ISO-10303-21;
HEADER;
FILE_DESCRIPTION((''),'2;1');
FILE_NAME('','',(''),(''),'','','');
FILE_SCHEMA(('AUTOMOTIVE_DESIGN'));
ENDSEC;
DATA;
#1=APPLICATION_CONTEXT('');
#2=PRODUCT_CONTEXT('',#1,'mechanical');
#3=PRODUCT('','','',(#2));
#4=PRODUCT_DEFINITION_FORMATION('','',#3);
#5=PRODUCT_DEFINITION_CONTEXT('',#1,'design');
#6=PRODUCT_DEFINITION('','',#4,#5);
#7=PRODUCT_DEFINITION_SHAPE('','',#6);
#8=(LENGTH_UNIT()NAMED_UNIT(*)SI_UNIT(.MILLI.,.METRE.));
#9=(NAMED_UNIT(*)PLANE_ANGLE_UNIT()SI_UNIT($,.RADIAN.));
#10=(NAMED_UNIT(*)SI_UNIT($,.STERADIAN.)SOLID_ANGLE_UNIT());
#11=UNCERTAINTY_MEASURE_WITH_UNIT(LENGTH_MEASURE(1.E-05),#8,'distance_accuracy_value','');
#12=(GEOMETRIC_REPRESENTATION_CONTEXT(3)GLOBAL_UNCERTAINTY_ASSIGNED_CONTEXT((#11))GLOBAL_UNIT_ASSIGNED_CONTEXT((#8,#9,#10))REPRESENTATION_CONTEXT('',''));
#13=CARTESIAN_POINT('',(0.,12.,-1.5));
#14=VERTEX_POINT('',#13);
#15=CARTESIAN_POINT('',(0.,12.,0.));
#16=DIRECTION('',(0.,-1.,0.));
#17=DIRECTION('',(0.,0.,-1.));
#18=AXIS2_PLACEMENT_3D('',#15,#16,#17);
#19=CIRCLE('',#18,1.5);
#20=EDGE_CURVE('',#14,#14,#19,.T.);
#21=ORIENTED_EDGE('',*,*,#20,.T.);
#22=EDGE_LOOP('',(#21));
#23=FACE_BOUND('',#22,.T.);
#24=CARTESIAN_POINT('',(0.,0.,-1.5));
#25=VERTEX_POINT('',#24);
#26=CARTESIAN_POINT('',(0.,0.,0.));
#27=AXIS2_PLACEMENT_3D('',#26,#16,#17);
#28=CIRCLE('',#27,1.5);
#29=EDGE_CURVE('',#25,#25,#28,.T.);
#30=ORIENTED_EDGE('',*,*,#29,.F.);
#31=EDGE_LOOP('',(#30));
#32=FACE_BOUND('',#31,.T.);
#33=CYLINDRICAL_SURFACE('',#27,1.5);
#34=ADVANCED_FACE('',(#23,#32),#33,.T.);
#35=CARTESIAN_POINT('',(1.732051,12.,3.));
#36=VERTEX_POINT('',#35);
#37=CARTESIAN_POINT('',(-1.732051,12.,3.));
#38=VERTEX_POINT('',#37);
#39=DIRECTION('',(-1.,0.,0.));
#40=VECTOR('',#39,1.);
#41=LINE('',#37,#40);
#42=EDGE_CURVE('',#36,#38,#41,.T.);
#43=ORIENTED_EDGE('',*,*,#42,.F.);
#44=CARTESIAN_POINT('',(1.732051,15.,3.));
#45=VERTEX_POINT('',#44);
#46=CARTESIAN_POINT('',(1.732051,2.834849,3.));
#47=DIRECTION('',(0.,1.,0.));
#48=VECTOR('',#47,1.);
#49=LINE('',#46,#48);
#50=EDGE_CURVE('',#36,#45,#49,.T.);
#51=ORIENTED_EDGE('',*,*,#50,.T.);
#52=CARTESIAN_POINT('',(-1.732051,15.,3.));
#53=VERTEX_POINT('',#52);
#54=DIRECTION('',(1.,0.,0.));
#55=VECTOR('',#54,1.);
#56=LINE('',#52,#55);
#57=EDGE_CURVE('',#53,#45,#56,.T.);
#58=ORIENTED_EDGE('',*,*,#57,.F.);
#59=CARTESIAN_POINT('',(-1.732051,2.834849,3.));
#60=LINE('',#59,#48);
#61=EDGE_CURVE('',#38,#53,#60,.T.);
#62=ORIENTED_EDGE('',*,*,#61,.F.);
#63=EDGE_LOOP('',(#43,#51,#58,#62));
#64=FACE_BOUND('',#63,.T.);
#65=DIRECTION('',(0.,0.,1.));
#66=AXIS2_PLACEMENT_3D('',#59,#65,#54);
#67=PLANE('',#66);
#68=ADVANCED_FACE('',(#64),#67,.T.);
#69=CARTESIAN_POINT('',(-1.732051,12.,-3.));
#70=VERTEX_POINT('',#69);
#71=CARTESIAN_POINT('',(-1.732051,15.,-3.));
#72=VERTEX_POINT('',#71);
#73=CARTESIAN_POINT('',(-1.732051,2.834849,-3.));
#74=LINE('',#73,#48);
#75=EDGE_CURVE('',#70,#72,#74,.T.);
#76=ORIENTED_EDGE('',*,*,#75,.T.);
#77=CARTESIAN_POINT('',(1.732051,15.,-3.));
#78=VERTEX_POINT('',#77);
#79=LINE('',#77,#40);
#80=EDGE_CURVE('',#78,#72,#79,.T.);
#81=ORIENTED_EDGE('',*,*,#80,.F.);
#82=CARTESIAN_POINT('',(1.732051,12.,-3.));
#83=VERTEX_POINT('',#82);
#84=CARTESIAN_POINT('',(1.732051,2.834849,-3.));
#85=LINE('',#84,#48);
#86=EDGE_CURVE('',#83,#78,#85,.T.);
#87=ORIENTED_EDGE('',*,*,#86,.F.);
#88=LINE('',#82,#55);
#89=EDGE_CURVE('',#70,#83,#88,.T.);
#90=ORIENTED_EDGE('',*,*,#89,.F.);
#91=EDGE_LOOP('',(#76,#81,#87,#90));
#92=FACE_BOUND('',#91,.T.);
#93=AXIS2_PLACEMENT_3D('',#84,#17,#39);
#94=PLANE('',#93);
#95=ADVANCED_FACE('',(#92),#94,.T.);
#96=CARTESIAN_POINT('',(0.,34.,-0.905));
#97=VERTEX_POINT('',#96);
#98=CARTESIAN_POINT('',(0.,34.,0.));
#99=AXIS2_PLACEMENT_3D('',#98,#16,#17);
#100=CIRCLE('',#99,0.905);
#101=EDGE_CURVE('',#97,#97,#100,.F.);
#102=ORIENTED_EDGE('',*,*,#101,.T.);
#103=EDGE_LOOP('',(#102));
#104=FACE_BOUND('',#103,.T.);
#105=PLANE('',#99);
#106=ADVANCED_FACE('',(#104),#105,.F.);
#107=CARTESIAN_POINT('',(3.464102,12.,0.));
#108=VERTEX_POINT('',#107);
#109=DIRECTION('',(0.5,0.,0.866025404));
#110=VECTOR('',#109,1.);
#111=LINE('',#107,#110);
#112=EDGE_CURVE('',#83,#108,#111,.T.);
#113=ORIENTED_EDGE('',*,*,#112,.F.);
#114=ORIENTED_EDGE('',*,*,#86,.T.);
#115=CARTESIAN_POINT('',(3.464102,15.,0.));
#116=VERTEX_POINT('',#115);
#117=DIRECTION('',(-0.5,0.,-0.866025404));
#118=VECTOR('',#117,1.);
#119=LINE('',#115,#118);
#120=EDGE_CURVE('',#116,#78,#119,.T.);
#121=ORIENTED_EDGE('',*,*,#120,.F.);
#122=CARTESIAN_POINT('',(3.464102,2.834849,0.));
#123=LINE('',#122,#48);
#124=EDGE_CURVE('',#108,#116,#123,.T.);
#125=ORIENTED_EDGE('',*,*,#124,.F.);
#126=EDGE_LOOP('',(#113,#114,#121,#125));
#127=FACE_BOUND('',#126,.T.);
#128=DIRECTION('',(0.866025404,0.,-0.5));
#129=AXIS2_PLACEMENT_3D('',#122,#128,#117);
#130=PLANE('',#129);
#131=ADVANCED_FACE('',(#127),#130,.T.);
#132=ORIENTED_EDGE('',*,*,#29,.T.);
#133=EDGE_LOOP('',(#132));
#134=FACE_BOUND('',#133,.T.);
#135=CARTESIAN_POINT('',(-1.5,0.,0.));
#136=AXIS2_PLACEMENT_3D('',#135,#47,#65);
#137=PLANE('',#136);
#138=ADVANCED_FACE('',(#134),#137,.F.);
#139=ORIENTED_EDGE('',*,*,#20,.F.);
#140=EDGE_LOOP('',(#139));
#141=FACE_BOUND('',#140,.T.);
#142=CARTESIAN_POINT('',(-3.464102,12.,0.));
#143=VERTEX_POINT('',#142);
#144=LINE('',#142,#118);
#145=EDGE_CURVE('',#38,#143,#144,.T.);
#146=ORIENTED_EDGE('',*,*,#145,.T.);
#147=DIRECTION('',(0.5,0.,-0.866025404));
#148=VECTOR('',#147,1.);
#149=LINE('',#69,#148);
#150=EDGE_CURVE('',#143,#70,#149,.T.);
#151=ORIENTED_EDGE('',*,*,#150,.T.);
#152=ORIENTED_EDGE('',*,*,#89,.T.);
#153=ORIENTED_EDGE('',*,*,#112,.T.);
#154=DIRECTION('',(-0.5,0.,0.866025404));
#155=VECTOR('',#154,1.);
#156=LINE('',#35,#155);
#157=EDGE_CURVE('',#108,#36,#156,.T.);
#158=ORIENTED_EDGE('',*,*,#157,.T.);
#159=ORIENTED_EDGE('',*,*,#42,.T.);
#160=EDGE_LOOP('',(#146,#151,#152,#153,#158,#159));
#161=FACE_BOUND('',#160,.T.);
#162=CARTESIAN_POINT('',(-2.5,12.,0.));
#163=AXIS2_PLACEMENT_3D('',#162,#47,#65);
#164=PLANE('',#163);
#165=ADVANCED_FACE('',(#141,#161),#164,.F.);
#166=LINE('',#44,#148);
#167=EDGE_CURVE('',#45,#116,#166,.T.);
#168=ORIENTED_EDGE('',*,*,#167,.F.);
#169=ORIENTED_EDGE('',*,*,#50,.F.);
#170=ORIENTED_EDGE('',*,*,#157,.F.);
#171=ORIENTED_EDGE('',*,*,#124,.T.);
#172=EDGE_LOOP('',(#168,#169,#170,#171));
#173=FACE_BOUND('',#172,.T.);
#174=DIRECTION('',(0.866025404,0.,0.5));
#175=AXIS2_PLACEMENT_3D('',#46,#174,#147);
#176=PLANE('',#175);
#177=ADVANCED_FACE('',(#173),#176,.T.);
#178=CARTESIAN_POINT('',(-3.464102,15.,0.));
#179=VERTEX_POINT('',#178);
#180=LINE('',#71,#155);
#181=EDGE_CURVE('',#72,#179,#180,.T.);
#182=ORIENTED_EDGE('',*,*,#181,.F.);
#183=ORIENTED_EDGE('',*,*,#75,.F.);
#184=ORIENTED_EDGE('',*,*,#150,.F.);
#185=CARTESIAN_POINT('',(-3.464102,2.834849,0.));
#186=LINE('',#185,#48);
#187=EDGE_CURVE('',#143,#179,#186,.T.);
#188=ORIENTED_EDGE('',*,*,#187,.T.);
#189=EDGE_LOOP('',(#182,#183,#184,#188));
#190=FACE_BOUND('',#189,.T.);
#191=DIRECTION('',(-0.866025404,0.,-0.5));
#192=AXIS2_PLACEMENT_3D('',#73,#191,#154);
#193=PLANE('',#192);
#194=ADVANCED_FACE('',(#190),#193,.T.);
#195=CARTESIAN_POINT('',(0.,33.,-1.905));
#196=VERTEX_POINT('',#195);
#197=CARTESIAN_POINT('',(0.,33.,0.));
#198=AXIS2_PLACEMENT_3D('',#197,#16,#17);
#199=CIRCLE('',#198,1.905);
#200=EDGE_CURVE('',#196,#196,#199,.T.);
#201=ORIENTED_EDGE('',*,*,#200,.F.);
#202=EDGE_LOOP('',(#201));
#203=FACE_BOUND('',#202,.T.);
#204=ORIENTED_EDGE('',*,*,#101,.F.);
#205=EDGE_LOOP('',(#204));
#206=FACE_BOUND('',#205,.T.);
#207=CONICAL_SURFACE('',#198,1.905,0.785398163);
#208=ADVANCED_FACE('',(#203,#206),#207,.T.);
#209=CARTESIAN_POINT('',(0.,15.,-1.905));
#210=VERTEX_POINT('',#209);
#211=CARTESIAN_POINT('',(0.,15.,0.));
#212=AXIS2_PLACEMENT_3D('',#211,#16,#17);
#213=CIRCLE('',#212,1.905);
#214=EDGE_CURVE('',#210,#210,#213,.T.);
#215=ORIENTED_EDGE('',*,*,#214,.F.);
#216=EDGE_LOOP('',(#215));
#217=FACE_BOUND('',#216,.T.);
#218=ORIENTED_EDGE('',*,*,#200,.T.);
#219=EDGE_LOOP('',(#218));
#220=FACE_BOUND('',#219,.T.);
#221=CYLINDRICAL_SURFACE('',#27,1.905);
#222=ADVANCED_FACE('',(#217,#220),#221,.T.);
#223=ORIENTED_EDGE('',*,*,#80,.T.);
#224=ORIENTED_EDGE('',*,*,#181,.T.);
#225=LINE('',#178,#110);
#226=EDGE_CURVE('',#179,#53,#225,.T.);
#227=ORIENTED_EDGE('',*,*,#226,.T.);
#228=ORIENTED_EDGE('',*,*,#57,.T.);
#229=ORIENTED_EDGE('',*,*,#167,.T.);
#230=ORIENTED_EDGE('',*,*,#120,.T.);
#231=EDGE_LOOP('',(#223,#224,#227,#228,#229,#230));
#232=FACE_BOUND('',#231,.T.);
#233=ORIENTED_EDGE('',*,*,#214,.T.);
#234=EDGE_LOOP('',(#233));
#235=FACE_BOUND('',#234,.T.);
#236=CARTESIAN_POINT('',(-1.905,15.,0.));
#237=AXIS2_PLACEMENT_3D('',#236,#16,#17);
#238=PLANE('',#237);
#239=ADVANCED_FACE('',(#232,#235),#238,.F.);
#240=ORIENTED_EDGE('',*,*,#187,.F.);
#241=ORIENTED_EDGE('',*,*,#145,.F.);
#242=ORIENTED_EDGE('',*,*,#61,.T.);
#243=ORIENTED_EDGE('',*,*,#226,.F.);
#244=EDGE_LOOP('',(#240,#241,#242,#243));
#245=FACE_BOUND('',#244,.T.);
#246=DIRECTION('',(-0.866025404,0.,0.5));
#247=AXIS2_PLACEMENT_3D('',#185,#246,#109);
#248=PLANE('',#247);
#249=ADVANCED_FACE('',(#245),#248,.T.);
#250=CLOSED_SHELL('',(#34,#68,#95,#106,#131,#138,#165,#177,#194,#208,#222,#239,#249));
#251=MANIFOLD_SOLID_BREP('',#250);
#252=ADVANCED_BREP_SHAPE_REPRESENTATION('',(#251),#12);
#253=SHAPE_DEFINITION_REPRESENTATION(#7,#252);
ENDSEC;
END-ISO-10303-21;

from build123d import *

# Parameters (mm, degrees)
BOSS_EXTRUDE1_DEPTH = 3
CHAMFER1_SIZE       = 1


with BuildPart() as part:
    # Sketch1 → Revolve1 (revolve)
    with BuildSketch(Plane.XY, mode=Mode.PRIVATE) as revolve1_sk:
        Polygon((0, 34), (-1.905, 34), (-1.905, 15), (-2.5, 15), (-2.5, 12), (-1.5, 12), (-1.5, 0), (0, 0), align=None)
    revolve(revolve1_sk.sketch.rotate(Axis((0, 0, 0), (0, 1, 0)), 270), axis=Axis((0, 0, 0), (0, 1, 0)))

    # Sketch2 → Boss-Extrude1 (add)
    with BuildSketch(Plane(origin=(0, 15, 0), x_dir=(1, 0, 0), z_dir=(0, 1, 0))):
        Polygon((-3.464101615, 0), (-1.732050808, -3), (1.732050808, -3), (3.464101615, 0), (1.732050808, 3), (-1.732050808, 3), align=None)
    extrude(amount=-BOSS_EXTRUDE1_DEPTH)

    # Chamfer1
    chamfer1_edges = [part.edges().sort_by_distance(p)[0] for p in [
        (0, 34, 1.905),
    ]]
    chamfer(chamfer1_edges, length=CHAMFER1_SIZE)


solid = part.part
